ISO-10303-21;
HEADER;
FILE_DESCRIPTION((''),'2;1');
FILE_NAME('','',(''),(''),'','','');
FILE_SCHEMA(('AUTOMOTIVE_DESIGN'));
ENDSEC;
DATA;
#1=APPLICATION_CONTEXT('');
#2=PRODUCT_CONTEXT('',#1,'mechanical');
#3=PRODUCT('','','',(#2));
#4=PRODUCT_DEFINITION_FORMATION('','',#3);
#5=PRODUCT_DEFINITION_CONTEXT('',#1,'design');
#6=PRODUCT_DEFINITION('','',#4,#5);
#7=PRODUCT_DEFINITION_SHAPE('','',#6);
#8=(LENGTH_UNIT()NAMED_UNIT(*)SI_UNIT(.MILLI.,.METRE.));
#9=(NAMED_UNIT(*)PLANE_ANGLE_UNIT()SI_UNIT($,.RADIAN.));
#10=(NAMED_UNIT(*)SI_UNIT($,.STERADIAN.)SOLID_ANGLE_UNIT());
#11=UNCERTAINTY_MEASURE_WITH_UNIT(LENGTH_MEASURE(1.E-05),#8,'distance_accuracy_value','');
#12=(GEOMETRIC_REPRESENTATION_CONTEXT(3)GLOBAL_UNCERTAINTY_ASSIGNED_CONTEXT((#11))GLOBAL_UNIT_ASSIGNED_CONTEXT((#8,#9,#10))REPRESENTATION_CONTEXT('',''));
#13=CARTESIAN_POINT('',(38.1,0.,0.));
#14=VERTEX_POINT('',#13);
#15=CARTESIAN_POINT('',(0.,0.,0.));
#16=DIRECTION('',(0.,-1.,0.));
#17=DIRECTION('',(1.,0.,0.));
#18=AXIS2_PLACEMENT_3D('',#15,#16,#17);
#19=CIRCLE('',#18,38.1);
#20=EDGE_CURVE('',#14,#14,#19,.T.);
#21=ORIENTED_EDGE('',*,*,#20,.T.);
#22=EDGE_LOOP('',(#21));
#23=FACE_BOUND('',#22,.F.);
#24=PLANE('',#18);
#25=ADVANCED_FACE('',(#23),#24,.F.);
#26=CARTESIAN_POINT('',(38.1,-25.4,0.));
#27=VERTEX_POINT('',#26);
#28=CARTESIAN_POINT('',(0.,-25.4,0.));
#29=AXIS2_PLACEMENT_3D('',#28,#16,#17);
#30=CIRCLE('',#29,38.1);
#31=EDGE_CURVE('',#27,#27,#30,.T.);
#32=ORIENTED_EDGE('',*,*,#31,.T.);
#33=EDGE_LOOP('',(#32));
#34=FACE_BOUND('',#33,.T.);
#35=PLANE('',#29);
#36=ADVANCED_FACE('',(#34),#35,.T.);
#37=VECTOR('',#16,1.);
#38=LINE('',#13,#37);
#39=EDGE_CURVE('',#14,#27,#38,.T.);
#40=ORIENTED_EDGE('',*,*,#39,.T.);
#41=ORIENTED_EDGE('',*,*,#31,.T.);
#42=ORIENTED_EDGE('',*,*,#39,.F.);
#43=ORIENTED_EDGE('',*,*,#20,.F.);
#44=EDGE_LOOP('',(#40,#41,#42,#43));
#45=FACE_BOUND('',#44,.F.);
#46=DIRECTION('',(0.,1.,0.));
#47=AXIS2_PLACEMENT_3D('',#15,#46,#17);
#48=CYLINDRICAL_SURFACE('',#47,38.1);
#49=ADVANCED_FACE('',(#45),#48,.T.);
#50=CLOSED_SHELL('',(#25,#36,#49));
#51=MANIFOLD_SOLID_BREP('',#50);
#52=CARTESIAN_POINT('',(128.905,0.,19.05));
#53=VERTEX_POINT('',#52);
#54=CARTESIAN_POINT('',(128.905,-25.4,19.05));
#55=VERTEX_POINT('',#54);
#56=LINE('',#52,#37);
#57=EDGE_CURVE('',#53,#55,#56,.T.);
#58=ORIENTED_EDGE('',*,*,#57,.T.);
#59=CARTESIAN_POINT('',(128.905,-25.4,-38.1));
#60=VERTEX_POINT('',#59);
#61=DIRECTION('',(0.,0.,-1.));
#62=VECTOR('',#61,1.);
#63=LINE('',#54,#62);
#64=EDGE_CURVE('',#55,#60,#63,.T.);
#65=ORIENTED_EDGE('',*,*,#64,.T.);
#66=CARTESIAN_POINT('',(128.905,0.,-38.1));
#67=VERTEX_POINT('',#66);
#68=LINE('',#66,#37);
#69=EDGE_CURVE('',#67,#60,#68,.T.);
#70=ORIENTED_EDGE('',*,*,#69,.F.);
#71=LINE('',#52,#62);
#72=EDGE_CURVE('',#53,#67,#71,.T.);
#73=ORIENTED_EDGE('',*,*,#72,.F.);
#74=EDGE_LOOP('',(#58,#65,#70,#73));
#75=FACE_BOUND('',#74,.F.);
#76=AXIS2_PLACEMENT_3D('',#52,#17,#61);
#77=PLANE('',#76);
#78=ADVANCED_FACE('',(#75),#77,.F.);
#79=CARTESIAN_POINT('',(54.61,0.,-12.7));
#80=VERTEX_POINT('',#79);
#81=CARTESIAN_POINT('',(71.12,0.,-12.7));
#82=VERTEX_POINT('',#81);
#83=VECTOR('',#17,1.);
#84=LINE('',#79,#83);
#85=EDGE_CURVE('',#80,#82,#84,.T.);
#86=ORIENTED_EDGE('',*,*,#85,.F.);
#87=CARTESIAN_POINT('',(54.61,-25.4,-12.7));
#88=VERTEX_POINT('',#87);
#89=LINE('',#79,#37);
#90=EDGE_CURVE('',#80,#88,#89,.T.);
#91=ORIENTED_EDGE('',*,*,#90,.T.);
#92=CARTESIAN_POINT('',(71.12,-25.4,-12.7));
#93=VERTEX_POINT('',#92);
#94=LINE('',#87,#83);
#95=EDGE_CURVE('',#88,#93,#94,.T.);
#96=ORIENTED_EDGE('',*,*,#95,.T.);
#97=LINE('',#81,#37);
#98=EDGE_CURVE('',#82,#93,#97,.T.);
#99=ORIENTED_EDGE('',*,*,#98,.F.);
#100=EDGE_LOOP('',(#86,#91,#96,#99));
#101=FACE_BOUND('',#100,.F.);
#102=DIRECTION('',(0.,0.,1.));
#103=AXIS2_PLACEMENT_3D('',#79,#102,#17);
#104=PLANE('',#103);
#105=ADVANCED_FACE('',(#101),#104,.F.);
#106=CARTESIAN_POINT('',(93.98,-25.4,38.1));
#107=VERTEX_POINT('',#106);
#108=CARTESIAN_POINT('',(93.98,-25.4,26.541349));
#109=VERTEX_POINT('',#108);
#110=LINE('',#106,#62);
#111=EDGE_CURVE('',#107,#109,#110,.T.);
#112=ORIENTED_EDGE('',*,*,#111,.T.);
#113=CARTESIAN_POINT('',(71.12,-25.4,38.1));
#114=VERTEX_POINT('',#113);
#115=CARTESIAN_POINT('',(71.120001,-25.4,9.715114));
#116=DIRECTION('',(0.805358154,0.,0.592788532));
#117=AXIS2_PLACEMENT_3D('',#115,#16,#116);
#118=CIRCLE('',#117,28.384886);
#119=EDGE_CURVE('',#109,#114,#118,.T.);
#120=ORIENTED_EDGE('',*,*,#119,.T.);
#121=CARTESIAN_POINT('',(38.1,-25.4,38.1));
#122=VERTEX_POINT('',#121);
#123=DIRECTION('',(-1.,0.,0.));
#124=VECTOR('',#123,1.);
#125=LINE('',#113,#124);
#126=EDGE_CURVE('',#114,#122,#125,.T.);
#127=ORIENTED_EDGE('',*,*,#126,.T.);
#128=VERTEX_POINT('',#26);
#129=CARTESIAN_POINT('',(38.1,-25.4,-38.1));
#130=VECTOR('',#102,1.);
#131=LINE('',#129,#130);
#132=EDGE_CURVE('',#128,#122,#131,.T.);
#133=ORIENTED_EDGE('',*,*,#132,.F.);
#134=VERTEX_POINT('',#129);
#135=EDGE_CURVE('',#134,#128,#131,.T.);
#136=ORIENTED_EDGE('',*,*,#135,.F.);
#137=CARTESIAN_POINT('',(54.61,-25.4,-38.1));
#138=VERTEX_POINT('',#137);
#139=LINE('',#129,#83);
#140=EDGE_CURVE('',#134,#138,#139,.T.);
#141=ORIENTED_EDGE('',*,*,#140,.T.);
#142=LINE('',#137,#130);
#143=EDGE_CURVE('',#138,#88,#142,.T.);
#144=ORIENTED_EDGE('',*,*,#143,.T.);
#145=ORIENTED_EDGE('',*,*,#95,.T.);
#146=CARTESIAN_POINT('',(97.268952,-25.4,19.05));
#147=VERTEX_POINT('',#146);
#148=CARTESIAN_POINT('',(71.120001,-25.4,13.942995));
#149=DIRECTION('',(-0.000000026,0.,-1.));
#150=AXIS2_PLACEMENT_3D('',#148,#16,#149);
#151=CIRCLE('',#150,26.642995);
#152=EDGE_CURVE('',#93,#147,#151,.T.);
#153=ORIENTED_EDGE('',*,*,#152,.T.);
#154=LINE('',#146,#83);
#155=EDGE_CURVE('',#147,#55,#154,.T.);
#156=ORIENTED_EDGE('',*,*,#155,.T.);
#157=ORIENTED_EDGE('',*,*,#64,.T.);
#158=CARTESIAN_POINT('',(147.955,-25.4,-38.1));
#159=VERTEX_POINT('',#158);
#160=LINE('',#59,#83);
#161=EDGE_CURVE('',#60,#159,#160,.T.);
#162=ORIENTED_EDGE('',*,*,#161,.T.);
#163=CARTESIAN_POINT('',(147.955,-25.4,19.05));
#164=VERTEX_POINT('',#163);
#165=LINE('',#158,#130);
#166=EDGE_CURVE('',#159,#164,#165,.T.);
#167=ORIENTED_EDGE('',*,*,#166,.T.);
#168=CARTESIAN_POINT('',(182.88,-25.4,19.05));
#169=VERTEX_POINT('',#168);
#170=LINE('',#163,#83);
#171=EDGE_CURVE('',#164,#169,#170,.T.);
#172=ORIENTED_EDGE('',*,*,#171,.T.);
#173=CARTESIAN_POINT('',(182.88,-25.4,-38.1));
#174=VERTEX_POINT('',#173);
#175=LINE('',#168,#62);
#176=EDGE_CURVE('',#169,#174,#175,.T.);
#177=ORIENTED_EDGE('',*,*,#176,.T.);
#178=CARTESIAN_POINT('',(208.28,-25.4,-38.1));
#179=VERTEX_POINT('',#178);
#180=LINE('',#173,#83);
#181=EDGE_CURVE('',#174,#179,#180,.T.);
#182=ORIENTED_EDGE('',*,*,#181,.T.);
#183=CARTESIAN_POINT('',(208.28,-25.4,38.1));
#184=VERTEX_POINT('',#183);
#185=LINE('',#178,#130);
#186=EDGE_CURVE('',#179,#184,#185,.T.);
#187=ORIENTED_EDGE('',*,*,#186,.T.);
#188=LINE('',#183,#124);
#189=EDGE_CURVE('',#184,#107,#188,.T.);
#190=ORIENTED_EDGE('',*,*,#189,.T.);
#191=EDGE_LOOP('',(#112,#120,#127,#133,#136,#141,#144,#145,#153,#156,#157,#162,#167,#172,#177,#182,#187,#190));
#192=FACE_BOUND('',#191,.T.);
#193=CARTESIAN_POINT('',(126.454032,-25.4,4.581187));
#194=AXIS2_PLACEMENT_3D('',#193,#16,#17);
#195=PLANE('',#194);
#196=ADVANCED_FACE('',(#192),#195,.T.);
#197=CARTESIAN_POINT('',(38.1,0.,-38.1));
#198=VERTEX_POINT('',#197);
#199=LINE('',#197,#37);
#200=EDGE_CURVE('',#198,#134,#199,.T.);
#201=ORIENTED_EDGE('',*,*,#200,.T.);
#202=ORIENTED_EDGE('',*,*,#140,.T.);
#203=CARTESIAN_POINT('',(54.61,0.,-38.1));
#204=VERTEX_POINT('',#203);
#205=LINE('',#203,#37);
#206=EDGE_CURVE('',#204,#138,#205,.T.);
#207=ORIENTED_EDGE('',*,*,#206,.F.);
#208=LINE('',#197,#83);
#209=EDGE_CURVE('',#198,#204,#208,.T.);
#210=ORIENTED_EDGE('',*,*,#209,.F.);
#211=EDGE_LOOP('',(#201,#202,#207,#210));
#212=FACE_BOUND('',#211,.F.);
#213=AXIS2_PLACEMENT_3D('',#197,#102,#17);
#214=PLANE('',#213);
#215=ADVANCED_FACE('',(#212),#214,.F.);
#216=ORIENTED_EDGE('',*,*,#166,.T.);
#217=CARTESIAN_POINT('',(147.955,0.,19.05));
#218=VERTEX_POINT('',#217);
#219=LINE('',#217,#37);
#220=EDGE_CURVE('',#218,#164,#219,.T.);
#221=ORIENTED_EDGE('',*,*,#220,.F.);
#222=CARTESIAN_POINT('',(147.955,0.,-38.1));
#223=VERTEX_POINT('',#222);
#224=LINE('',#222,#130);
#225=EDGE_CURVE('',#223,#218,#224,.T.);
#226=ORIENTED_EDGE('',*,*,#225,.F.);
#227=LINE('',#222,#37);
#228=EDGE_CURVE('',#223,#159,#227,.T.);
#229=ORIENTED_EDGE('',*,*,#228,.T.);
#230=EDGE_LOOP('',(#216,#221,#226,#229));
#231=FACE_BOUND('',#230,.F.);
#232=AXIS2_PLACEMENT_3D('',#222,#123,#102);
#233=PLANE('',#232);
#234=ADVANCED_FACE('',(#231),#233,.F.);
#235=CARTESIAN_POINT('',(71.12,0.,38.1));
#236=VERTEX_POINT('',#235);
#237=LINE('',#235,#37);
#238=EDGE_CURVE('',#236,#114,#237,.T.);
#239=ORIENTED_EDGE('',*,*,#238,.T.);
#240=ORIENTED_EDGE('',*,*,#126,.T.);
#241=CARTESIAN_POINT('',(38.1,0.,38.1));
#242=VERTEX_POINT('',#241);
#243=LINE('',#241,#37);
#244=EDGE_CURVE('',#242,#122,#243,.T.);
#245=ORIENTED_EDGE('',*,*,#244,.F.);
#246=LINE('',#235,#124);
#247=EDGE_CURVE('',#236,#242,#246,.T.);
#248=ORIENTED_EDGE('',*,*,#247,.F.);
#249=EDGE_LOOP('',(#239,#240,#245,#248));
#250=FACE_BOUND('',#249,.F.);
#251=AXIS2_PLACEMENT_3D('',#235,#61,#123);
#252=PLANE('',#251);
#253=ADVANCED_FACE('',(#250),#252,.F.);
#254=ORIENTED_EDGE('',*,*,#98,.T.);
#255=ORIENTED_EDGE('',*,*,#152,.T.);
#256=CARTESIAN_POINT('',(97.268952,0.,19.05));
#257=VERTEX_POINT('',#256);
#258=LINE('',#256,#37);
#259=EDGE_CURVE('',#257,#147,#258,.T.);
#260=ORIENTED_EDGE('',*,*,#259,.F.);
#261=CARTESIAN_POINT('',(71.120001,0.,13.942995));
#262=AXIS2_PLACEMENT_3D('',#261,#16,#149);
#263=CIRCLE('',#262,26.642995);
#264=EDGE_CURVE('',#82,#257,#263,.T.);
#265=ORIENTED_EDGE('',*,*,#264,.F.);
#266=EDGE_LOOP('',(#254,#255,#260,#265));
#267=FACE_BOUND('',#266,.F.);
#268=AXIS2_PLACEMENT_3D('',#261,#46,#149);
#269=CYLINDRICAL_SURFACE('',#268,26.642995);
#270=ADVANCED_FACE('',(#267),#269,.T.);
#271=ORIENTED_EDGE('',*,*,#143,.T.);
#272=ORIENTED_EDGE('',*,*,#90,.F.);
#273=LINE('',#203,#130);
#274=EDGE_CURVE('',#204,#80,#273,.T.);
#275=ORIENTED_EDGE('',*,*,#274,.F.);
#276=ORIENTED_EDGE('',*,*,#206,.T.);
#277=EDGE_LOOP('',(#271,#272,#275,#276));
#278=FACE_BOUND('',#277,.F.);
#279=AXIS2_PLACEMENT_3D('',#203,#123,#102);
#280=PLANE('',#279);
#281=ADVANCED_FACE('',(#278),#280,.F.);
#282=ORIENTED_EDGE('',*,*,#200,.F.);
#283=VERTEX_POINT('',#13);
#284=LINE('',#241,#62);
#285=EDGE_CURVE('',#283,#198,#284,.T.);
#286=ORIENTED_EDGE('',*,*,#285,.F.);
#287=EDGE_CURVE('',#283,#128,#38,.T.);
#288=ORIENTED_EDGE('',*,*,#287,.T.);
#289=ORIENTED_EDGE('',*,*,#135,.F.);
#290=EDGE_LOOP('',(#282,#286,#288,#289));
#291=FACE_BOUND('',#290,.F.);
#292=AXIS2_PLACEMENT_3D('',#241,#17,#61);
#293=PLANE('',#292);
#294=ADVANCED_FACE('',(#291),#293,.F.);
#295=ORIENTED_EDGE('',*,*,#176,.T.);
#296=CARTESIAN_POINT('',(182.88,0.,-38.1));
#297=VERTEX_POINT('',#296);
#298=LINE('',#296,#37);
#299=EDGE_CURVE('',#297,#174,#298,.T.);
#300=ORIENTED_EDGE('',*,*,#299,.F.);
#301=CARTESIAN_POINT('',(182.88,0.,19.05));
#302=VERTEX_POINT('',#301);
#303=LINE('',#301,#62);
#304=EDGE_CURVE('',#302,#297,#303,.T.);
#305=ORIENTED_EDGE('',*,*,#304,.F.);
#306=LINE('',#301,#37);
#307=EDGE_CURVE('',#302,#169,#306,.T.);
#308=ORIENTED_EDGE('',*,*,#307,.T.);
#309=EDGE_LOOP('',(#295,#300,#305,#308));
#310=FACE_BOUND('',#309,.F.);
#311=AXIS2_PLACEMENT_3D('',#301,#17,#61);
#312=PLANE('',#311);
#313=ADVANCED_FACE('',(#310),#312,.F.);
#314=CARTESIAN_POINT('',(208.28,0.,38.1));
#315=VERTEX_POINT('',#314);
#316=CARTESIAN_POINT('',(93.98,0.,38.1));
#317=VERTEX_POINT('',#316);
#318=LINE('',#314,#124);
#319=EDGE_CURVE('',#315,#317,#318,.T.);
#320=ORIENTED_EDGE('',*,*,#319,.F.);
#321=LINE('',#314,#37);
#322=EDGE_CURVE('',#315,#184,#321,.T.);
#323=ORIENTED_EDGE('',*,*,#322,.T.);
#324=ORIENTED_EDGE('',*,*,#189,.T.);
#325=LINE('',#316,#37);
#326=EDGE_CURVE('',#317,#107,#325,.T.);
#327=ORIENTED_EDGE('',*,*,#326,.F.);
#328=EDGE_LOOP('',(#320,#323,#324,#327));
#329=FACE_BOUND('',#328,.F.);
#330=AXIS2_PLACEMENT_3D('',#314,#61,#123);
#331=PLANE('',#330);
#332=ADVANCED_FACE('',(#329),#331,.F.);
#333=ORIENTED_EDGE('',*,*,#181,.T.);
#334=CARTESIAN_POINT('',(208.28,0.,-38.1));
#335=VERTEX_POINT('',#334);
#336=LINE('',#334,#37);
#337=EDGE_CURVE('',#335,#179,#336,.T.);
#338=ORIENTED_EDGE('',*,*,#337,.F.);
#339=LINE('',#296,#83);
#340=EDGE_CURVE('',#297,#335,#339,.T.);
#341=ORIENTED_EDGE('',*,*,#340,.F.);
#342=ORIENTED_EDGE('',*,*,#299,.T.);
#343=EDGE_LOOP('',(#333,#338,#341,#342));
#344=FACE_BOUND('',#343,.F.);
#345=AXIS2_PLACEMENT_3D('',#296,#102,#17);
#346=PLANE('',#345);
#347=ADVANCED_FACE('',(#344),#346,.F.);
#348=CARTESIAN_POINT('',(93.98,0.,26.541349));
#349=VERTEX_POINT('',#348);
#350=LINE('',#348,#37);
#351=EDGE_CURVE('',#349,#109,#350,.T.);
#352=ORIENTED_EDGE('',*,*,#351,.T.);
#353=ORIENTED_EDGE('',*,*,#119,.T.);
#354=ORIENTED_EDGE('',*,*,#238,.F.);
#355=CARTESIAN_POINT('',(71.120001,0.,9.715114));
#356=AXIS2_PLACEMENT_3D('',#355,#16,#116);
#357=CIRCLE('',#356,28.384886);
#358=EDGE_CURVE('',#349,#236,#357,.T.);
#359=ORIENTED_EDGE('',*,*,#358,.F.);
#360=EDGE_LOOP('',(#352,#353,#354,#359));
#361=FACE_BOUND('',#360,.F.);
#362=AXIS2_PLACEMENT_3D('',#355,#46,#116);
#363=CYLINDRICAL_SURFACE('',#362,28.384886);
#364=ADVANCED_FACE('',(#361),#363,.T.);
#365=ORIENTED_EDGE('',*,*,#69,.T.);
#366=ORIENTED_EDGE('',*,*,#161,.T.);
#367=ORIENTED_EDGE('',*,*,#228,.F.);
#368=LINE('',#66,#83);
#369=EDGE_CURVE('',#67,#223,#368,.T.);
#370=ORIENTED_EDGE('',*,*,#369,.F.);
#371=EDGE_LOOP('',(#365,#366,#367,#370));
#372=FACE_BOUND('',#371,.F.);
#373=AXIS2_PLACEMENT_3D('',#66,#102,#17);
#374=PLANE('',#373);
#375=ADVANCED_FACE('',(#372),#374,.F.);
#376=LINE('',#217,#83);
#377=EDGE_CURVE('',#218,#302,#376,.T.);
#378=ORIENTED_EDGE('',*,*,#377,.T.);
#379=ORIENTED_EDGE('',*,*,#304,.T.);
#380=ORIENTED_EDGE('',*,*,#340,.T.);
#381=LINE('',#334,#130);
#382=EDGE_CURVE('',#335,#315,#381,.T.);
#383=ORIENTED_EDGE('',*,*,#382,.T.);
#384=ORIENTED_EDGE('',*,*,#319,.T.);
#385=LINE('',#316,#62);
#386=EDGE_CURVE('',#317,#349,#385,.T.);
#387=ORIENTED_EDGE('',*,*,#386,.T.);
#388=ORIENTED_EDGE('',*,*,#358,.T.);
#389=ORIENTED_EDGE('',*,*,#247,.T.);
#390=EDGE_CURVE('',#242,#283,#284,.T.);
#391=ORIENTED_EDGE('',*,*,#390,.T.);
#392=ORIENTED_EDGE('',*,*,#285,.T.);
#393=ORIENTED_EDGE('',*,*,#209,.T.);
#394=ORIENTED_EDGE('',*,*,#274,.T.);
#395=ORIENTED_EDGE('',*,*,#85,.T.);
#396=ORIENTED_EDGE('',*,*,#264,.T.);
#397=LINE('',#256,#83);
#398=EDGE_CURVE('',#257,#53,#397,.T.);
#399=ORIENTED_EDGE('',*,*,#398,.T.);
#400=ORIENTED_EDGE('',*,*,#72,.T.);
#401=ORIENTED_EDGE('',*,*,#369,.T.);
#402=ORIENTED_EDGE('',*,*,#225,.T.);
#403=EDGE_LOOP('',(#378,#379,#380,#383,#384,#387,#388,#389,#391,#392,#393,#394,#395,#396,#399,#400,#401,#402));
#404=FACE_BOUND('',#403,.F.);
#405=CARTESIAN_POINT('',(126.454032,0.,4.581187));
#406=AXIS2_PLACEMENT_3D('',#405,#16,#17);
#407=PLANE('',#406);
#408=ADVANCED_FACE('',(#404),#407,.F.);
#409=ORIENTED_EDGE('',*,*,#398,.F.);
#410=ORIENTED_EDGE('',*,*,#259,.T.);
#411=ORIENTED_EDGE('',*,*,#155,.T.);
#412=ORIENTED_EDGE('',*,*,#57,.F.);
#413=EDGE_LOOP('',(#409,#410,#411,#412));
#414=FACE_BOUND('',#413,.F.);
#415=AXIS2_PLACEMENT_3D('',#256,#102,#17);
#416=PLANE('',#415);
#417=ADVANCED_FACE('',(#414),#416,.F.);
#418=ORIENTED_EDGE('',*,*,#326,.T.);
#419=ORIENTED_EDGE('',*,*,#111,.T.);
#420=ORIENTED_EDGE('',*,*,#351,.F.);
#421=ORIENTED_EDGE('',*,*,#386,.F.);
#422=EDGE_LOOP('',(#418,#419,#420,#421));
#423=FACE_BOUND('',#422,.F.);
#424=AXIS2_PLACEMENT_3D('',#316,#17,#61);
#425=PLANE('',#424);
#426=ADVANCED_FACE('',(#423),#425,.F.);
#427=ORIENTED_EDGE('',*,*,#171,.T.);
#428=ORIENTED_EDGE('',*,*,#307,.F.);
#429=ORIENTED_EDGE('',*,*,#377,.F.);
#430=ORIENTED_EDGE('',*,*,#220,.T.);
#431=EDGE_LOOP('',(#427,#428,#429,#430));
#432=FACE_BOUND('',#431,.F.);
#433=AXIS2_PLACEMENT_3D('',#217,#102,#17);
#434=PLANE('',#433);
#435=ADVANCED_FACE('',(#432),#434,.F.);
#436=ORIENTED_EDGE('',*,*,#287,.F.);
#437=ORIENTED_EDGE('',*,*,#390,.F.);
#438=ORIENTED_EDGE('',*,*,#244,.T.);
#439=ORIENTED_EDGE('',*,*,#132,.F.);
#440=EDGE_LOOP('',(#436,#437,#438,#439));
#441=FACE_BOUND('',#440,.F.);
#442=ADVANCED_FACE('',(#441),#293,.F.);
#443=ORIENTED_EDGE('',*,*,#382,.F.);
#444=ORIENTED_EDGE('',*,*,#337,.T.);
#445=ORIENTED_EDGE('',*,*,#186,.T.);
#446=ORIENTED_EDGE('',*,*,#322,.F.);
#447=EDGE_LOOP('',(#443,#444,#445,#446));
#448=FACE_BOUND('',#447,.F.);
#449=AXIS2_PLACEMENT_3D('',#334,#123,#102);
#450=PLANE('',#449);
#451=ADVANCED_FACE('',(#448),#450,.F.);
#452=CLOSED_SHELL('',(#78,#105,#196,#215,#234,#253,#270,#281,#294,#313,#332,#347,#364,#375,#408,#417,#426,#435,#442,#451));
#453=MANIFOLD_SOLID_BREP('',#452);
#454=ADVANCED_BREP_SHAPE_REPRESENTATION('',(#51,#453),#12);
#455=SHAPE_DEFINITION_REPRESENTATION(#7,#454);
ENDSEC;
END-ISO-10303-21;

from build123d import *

# Parameters (mm, degrees)
F0_R     = 38.1
F1_DEPTH = 25.4


with BuildPart() as f1:
    # F0 (on Front) → F1 (new body)
    with BuildSketch(Plane.XZ):
        Circle(F0_R)
        with BuildLine():
            Line((38.1, 38.1), (38.1, 0))
            Line((38.1, 0), (38.1, -38.1))
            Line((38.1, -38.1), (54.61, -38.1))
            Line((54.61, -38.1), (54.61, -12.7))
            Line((54.61, -12.7), (71.12, -12.7))
            ThreePointArc((71.12, -12.7), (91.685932, -2.994881), (97.268952, 19.05))
            Line((97.268952, 19.05), (128.905, 19.05))
            Line((128.905, 19.05), (128.905, -38.1))
            Line((128.905, -38.1), (147.955, -38.1))
            Line((147.955, -38.1), (147.955, 19.05))
            Line((147.955, 19.05), (182.88, 19.05))
            Line((182.88, 19.05), (182.88, -38.1))
            Line((182.88, -38.1), (208.28, -38.1))
            Line((208.28, -38.1), (208.28, 38.1))
            Line((208.28, 38.1), (182.88, 38.1))
            Line((182.88, 38.1), (93.98, 38.1))
            Line((93.98, 38.1), (93.98, 26.541349))
            ThreePointArc((93.98, 26.541349), (83.928025, 35.046049), (71.12, 38.1))
            Line((71.12, 38.1), (54.61, 38.1))
            Line((54.61, 38.1), (38.1, 38.1))
        make_face()
    extrude(amount=F1_DEPTH)


solid = f1.part
